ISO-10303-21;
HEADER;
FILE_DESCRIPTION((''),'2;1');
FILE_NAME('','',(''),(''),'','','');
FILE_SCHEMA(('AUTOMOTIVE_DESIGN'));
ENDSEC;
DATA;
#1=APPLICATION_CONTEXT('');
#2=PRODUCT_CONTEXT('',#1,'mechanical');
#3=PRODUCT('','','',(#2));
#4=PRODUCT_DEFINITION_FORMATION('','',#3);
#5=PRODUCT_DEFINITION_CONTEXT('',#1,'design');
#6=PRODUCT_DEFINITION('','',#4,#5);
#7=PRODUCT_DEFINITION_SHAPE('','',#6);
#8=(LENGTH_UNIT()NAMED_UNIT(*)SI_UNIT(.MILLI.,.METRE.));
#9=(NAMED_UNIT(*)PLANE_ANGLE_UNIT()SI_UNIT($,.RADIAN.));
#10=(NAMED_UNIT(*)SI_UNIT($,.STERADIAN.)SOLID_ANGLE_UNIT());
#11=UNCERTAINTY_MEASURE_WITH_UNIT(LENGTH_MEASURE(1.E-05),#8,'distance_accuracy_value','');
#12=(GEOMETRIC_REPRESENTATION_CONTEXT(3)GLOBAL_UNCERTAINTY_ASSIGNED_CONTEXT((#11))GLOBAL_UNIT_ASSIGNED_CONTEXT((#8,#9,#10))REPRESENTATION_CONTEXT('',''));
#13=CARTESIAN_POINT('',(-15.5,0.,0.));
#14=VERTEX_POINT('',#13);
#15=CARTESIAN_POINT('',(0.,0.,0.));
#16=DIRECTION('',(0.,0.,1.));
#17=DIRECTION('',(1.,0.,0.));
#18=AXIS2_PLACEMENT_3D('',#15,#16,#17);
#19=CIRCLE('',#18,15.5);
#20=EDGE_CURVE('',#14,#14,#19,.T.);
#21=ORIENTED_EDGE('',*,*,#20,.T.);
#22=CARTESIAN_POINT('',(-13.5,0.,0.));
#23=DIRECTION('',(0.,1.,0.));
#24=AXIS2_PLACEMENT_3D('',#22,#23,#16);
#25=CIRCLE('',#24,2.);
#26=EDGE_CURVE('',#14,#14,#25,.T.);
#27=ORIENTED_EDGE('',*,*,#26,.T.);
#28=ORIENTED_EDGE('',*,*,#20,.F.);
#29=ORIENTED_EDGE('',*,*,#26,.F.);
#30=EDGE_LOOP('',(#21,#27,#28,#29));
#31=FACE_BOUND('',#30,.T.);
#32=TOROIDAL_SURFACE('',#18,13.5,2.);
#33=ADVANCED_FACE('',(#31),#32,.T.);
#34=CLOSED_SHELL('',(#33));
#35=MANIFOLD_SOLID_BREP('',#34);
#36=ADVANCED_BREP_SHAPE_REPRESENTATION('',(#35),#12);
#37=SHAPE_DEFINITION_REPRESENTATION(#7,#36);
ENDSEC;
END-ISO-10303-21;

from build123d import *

# Parameters (mm, degrees)
SKETCH4_R = 2


with BuildPart() as part:
    # Sweep1: sweep along a path in Sketch3
    with BuildLine(Plane.XY) as sweep1_path:
        CenterArc((0, 0), 13.5, 0, 360)
    # Sketch4 → Sweep1 (sweep)
    with BuildSketch(Plane(origin=(0, 0, 0), x_dir=(1, 0, 0), z_dir=(0, 1, 0))):
        with Locations((-13.5, 0)):
            Circle(SKETCH4_R)
    sweep(path=sweep1_path.line)


solid = part.part
